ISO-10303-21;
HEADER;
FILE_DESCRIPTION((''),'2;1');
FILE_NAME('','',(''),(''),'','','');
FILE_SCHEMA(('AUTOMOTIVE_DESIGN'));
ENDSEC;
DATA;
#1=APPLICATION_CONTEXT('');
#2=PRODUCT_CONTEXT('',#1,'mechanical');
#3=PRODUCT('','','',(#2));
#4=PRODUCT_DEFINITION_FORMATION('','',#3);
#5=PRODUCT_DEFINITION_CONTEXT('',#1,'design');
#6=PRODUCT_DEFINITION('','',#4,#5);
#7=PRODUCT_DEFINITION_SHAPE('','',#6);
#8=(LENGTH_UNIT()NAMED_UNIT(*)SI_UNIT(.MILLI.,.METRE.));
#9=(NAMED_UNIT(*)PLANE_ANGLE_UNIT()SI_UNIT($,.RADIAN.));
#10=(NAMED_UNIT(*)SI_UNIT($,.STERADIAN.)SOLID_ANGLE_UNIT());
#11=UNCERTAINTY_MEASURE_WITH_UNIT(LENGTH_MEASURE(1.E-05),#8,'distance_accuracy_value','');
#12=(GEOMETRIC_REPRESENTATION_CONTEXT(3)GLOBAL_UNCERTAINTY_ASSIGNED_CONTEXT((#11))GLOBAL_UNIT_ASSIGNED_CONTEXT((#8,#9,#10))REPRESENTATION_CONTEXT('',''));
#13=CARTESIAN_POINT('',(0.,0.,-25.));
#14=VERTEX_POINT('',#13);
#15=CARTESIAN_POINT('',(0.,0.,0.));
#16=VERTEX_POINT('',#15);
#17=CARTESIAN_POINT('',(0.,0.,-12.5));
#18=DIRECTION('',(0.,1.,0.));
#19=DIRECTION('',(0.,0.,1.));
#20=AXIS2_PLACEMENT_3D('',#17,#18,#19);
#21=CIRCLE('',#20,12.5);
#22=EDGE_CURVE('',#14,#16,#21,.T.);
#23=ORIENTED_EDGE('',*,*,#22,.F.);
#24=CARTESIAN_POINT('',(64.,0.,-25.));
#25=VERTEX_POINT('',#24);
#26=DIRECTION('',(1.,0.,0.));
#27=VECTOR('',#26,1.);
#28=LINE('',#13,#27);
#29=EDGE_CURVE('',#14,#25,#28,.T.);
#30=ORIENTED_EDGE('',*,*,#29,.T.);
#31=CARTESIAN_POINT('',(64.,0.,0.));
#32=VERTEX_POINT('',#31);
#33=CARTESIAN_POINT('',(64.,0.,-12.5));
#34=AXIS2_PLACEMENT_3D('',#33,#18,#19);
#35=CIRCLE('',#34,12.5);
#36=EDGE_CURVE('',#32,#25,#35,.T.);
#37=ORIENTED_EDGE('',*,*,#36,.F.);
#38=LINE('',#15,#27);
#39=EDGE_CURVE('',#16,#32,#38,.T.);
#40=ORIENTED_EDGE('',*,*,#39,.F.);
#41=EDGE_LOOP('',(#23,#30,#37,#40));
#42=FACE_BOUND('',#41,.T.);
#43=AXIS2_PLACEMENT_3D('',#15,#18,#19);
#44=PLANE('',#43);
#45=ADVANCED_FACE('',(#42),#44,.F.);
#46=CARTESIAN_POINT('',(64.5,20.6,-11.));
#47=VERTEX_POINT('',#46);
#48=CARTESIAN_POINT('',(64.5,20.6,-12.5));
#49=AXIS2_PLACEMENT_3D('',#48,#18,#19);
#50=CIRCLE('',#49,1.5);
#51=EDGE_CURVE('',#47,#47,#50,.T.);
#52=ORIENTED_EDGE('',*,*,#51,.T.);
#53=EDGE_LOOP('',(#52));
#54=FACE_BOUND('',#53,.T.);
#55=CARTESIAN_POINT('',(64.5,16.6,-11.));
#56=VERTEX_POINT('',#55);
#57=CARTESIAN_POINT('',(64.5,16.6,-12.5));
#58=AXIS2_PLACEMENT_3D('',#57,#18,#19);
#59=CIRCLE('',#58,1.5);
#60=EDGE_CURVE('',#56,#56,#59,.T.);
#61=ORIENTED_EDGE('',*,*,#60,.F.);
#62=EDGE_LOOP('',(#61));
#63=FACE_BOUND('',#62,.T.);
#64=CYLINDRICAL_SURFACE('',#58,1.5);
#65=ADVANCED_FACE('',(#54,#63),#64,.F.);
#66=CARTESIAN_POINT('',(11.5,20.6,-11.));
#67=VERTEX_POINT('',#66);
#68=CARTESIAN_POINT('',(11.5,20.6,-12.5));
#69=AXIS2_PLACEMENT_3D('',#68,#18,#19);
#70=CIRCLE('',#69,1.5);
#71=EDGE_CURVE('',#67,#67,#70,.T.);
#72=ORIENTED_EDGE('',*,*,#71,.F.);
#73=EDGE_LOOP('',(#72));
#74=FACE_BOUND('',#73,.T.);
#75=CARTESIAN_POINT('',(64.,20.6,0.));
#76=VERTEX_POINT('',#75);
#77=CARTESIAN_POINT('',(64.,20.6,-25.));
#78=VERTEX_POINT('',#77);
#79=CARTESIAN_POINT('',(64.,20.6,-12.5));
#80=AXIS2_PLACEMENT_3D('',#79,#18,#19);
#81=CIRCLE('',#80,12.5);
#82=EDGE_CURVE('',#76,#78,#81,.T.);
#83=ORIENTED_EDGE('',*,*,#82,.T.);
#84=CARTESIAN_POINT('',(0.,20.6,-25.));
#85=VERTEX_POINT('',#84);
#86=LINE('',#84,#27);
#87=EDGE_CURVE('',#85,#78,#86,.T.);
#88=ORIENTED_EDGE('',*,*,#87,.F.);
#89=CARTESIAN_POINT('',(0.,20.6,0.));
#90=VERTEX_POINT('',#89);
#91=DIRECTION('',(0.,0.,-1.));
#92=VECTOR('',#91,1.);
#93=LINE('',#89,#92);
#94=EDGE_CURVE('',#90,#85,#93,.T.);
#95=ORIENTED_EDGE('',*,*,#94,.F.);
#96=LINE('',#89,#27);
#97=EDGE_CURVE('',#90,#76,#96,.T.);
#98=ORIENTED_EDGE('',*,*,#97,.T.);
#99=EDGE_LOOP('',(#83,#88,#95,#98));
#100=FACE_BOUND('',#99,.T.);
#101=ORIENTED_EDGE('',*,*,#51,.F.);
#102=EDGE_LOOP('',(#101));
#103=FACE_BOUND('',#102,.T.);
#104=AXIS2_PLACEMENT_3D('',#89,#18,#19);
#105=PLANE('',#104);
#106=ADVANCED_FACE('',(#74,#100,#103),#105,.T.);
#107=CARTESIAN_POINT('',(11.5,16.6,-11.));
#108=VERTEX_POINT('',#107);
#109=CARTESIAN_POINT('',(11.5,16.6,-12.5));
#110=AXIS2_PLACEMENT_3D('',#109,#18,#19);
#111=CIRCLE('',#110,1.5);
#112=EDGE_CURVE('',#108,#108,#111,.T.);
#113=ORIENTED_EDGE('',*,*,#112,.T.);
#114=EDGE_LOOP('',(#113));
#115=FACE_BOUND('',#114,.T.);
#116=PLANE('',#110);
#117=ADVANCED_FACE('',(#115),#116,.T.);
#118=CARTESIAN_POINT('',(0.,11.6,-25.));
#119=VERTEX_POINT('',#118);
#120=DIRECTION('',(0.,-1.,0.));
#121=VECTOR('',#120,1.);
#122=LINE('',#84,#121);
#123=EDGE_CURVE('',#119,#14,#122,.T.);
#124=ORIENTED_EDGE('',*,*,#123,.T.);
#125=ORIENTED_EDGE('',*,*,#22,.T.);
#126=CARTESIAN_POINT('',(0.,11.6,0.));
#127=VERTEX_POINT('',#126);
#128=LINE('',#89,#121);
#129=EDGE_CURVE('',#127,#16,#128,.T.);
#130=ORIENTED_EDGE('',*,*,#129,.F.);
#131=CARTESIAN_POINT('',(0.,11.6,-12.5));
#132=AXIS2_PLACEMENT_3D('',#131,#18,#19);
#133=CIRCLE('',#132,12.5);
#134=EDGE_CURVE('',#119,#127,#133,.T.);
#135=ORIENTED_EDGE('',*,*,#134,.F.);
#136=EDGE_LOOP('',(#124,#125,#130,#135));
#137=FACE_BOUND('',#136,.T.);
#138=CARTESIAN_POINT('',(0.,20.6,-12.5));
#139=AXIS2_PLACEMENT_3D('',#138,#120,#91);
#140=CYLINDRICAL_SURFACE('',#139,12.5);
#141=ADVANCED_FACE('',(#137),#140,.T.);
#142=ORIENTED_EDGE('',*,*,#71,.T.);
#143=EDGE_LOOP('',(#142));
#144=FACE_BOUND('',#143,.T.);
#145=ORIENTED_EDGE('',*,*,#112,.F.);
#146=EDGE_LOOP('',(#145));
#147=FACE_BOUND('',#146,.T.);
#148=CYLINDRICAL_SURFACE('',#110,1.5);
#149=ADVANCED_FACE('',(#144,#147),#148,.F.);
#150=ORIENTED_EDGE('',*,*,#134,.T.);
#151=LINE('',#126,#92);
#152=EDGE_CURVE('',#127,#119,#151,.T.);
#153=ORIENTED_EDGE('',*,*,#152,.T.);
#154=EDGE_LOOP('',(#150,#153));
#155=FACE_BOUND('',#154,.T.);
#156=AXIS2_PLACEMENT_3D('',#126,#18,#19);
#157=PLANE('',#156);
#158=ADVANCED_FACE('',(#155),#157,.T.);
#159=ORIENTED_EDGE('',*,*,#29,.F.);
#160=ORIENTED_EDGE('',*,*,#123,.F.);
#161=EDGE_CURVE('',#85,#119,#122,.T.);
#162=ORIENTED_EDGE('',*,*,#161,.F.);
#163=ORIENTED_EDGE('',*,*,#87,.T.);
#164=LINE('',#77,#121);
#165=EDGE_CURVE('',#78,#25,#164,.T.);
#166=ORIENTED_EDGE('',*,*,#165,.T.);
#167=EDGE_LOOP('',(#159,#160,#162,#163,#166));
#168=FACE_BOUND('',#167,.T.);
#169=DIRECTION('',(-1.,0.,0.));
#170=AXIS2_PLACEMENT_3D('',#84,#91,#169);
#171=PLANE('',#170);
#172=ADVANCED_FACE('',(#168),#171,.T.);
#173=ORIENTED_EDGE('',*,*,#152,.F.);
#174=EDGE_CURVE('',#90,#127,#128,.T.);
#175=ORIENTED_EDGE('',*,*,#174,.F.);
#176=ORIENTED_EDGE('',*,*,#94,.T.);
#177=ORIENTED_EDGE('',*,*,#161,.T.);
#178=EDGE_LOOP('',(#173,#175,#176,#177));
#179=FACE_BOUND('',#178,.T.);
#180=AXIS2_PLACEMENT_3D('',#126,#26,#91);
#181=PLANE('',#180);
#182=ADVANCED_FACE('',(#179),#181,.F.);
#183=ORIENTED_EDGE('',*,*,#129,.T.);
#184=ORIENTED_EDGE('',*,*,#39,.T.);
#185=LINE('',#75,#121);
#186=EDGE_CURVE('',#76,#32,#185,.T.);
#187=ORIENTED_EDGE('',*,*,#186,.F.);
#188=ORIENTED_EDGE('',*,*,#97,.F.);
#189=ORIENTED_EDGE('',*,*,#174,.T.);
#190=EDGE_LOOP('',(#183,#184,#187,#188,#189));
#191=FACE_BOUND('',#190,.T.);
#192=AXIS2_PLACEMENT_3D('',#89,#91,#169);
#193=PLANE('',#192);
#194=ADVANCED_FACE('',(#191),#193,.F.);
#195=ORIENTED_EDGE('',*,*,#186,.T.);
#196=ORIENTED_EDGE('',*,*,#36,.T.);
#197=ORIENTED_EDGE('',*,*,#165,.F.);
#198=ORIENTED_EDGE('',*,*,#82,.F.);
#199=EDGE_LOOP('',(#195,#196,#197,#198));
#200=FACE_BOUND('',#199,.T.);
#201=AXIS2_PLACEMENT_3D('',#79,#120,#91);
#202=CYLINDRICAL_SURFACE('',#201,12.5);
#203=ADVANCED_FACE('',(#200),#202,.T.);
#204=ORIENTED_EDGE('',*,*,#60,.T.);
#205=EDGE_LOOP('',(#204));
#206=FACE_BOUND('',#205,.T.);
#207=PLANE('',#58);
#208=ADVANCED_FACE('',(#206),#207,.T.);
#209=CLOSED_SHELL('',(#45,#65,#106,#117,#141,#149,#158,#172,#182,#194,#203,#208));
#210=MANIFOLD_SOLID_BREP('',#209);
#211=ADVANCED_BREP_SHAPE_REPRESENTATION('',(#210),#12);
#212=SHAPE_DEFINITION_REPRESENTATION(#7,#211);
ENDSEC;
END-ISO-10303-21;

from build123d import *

# Parameters (mm, degrees)
BOSS_EXTRUDE1_DEPTH = 20.6
CUT_EXTRUDE1_START  = -9
CUT_EXTRUDE1_DEPTH  = 9
SKETCH4_R           = 1.5
CUT_EXTRUDE2_DEPTH  = 4


with BuildPart() as part:
    # Sketch1 → Boss-Extrude1 (new body)
    with BuildSketch(Plane(origin=(0, 0, 0), x_dir=(1, 0, 0), z_dir=(0, 1, 0))):
        with BuildLine():
            ThreePointArc((0, 25), (-12.5, 12.5), (0, 0))
            Line((0, 0), (0, 25))
        make_face()
        with BuildLine():
            Line((0, 25), (0, 0))
            ThreePointArc((0, 0), (8.838834765, 3.661165235), (12.5, 12.5))
            ThreePointArc((12.5, 12.5), (8.838834765, 21.338834765), (0, 25))
        make_face()
        with BuildLine():
            ThreePointArc((12.5, 12.5), (8.838834765, 3.661165235), (0, 0))
            Line((0, 0), (64, 0))
            ThreePointArc((64, 0), (51.5, 12.5), (64, 25))
            Line((64, 25), (0, 25))
            ThreePointArc((0, 25), (8.838834765, 21.338834765), (12.5, 12.5))
        make_face()
        with BuildLine():
            ThreePointArc((64, 25), (51.5, 12.5), (64, 0))
            Line((64, 0), (64, 25))
        make_face()
        with BuildLine():
            Line((64, 25), (64, 0))
            ThreePointArc((64, 0), (72.838834765, 3.661165235), (76.5, 12.5))
            ThreePointArc((76.5, 12.5), (72.838834765, 21.338834765), (64, 25))
        make_face()
    extrude(amount=BOSS_EXTRUDE1_DEPTH)

    # Sketch3 → Cut-Extrude1 (cut)
    with BuildSketch(Plane(origin=(0, 20.6, 0), x_dir=(1, 0, 0), z_dir=(0, 1, 0)).offset(CUT_EXTRUDE1_START)):
        with BuildLine():
            Line((0, 0), (0, 25))
            ThreePointArc((0, 25), (-12.5, 12.5), (0, 0))
        make_face()
    extrude(amount=CUT_EXTRUDE1_DEPTH, mode=Mode.SUBTRACT)

    # Sketch4 → Cut-Extrude2 (cut)
    with BuildSketch(Plane(origin=(0, 20.6, 0), x_dir=(1, 0, 0), z_dir=(0, 1, 0))):
        with Locations(Location((64.5, 12.5, 0), (0, 0, 270))):
            Circle(SKETCH4_R)
        with Locations(Location((11.5, 12.5, 0), (0, 0, 270))):
            Circle(SKETCH4_R)
    extrude(amount=-CUT_EXTRUDE2_DEPTH, mode=Mode.SUBTRACT)


solid = part.part
